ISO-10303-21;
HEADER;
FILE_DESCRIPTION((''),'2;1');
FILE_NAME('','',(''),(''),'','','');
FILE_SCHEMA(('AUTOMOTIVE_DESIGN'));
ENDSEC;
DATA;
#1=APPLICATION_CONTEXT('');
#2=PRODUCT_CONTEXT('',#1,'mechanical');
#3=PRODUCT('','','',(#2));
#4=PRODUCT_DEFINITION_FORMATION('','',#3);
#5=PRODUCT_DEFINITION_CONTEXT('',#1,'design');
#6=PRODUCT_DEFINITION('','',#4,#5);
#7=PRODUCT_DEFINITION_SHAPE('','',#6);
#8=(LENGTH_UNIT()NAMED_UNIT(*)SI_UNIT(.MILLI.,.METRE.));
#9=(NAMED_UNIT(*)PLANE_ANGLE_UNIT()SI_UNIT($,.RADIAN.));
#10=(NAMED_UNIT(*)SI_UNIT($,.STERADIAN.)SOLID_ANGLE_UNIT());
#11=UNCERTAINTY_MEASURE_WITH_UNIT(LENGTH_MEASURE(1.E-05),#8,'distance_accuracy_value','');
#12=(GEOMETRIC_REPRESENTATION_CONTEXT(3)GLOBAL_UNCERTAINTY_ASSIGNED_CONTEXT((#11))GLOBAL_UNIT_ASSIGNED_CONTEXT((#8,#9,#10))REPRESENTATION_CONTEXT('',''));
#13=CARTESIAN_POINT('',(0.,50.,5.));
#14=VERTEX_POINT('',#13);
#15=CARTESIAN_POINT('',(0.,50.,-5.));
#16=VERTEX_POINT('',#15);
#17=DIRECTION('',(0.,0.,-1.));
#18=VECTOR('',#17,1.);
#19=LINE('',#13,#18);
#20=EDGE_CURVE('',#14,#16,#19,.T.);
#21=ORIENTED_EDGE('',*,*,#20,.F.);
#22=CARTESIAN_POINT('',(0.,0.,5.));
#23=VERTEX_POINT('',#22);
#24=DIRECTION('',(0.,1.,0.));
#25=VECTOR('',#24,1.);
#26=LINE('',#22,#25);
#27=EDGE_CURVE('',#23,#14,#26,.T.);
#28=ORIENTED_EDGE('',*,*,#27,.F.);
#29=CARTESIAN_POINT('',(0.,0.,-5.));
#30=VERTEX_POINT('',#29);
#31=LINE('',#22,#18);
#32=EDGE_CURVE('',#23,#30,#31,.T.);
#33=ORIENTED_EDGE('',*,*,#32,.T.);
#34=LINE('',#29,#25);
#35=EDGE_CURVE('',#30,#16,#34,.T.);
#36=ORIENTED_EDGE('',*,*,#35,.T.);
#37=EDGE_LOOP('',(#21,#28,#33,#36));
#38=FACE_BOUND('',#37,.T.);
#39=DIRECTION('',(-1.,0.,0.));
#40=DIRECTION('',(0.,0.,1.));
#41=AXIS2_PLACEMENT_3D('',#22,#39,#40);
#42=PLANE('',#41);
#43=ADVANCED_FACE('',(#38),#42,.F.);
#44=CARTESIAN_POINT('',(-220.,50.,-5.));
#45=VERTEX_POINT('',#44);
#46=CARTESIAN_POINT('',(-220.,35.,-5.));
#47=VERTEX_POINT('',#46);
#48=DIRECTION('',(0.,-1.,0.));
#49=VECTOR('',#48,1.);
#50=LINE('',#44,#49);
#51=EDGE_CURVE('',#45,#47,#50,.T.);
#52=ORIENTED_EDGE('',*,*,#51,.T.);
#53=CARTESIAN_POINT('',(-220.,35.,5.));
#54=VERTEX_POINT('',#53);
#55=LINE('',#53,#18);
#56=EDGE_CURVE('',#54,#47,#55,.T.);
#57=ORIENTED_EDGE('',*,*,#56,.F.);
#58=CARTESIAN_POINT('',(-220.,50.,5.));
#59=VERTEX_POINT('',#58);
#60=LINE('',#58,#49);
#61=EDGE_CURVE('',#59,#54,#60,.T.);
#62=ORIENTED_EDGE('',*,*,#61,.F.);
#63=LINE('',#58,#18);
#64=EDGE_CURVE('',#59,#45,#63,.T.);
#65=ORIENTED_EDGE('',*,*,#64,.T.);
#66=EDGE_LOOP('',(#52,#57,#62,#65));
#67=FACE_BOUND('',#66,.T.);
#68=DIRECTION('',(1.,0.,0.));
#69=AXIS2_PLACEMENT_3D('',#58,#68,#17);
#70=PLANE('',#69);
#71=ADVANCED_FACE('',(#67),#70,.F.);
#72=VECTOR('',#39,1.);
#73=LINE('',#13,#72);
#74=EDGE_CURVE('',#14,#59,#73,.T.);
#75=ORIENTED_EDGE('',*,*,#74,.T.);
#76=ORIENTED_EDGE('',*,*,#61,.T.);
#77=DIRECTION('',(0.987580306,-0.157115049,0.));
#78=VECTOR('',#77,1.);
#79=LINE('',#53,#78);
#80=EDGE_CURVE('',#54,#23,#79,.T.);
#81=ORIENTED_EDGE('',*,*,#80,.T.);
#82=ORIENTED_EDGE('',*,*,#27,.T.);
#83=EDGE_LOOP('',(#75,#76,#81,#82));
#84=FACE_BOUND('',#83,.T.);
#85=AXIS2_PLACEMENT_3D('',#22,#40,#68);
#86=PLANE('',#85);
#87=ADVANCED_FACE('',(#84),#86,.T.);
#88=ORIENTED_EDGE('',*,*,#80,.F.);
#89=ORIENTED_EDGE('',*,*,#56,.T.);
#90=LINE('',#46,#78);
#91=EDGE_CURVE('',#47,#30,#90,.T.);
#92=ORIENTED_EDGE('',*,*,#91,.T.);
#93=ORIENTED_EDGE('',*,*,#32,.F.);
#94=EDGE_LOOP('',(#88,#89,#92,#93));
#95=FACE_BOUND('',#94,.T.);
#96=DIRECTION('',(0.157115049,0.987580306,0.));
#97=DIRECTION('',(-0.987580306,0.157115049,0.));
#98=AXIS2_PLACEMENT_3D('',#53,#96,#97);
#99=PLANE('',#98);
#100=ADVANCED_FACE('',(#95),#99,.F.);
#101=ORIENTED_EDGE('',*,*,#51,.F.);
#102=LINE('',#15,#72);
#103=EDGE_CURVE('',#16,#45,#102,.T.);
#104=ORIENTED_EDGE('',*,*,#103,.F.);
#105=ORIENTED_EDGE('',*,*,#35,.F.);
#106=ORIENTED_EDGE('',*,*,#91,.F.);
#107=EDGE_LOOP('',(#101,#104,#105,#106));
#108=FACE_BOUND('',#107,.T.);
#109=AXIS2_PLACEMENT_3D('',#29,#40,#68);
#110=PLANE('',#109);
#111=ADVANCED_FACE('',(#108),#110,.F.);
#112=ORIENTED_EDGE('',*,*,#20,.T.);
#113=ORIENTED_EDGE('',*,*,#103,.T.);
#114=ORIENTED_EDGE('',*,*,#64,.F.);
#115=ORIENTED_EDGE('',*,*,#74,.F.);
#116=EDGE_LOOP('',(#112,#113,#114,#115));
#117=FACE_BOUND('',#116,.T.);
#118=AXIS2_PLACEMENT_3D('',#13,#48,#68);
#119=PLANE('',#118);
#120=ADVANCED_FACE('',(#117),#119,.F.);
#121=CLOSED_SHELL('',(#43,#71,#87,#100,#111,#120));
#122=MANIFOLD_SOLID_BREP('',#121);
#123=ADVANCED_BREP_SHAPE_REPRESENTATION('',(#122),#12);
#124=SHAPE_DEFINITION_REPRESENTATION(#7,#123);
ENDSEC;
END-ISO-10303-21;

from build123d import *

# Parameters (mm, degrees)
BOSS_EXTRUDE1_DEPTH = 5


with BuildPart() as part:
    # Sketch1 → Boss-Extrude1 (new body, symmetric)
    with BuildSketch(Plane.XY):
        Polygon((0, 0), (0, 50), (-220, 50), (-220, 35), align=None)
    extrude(amount=BOSS_EXTRUDE1_DEPTH, both=True)


solid = part.part
